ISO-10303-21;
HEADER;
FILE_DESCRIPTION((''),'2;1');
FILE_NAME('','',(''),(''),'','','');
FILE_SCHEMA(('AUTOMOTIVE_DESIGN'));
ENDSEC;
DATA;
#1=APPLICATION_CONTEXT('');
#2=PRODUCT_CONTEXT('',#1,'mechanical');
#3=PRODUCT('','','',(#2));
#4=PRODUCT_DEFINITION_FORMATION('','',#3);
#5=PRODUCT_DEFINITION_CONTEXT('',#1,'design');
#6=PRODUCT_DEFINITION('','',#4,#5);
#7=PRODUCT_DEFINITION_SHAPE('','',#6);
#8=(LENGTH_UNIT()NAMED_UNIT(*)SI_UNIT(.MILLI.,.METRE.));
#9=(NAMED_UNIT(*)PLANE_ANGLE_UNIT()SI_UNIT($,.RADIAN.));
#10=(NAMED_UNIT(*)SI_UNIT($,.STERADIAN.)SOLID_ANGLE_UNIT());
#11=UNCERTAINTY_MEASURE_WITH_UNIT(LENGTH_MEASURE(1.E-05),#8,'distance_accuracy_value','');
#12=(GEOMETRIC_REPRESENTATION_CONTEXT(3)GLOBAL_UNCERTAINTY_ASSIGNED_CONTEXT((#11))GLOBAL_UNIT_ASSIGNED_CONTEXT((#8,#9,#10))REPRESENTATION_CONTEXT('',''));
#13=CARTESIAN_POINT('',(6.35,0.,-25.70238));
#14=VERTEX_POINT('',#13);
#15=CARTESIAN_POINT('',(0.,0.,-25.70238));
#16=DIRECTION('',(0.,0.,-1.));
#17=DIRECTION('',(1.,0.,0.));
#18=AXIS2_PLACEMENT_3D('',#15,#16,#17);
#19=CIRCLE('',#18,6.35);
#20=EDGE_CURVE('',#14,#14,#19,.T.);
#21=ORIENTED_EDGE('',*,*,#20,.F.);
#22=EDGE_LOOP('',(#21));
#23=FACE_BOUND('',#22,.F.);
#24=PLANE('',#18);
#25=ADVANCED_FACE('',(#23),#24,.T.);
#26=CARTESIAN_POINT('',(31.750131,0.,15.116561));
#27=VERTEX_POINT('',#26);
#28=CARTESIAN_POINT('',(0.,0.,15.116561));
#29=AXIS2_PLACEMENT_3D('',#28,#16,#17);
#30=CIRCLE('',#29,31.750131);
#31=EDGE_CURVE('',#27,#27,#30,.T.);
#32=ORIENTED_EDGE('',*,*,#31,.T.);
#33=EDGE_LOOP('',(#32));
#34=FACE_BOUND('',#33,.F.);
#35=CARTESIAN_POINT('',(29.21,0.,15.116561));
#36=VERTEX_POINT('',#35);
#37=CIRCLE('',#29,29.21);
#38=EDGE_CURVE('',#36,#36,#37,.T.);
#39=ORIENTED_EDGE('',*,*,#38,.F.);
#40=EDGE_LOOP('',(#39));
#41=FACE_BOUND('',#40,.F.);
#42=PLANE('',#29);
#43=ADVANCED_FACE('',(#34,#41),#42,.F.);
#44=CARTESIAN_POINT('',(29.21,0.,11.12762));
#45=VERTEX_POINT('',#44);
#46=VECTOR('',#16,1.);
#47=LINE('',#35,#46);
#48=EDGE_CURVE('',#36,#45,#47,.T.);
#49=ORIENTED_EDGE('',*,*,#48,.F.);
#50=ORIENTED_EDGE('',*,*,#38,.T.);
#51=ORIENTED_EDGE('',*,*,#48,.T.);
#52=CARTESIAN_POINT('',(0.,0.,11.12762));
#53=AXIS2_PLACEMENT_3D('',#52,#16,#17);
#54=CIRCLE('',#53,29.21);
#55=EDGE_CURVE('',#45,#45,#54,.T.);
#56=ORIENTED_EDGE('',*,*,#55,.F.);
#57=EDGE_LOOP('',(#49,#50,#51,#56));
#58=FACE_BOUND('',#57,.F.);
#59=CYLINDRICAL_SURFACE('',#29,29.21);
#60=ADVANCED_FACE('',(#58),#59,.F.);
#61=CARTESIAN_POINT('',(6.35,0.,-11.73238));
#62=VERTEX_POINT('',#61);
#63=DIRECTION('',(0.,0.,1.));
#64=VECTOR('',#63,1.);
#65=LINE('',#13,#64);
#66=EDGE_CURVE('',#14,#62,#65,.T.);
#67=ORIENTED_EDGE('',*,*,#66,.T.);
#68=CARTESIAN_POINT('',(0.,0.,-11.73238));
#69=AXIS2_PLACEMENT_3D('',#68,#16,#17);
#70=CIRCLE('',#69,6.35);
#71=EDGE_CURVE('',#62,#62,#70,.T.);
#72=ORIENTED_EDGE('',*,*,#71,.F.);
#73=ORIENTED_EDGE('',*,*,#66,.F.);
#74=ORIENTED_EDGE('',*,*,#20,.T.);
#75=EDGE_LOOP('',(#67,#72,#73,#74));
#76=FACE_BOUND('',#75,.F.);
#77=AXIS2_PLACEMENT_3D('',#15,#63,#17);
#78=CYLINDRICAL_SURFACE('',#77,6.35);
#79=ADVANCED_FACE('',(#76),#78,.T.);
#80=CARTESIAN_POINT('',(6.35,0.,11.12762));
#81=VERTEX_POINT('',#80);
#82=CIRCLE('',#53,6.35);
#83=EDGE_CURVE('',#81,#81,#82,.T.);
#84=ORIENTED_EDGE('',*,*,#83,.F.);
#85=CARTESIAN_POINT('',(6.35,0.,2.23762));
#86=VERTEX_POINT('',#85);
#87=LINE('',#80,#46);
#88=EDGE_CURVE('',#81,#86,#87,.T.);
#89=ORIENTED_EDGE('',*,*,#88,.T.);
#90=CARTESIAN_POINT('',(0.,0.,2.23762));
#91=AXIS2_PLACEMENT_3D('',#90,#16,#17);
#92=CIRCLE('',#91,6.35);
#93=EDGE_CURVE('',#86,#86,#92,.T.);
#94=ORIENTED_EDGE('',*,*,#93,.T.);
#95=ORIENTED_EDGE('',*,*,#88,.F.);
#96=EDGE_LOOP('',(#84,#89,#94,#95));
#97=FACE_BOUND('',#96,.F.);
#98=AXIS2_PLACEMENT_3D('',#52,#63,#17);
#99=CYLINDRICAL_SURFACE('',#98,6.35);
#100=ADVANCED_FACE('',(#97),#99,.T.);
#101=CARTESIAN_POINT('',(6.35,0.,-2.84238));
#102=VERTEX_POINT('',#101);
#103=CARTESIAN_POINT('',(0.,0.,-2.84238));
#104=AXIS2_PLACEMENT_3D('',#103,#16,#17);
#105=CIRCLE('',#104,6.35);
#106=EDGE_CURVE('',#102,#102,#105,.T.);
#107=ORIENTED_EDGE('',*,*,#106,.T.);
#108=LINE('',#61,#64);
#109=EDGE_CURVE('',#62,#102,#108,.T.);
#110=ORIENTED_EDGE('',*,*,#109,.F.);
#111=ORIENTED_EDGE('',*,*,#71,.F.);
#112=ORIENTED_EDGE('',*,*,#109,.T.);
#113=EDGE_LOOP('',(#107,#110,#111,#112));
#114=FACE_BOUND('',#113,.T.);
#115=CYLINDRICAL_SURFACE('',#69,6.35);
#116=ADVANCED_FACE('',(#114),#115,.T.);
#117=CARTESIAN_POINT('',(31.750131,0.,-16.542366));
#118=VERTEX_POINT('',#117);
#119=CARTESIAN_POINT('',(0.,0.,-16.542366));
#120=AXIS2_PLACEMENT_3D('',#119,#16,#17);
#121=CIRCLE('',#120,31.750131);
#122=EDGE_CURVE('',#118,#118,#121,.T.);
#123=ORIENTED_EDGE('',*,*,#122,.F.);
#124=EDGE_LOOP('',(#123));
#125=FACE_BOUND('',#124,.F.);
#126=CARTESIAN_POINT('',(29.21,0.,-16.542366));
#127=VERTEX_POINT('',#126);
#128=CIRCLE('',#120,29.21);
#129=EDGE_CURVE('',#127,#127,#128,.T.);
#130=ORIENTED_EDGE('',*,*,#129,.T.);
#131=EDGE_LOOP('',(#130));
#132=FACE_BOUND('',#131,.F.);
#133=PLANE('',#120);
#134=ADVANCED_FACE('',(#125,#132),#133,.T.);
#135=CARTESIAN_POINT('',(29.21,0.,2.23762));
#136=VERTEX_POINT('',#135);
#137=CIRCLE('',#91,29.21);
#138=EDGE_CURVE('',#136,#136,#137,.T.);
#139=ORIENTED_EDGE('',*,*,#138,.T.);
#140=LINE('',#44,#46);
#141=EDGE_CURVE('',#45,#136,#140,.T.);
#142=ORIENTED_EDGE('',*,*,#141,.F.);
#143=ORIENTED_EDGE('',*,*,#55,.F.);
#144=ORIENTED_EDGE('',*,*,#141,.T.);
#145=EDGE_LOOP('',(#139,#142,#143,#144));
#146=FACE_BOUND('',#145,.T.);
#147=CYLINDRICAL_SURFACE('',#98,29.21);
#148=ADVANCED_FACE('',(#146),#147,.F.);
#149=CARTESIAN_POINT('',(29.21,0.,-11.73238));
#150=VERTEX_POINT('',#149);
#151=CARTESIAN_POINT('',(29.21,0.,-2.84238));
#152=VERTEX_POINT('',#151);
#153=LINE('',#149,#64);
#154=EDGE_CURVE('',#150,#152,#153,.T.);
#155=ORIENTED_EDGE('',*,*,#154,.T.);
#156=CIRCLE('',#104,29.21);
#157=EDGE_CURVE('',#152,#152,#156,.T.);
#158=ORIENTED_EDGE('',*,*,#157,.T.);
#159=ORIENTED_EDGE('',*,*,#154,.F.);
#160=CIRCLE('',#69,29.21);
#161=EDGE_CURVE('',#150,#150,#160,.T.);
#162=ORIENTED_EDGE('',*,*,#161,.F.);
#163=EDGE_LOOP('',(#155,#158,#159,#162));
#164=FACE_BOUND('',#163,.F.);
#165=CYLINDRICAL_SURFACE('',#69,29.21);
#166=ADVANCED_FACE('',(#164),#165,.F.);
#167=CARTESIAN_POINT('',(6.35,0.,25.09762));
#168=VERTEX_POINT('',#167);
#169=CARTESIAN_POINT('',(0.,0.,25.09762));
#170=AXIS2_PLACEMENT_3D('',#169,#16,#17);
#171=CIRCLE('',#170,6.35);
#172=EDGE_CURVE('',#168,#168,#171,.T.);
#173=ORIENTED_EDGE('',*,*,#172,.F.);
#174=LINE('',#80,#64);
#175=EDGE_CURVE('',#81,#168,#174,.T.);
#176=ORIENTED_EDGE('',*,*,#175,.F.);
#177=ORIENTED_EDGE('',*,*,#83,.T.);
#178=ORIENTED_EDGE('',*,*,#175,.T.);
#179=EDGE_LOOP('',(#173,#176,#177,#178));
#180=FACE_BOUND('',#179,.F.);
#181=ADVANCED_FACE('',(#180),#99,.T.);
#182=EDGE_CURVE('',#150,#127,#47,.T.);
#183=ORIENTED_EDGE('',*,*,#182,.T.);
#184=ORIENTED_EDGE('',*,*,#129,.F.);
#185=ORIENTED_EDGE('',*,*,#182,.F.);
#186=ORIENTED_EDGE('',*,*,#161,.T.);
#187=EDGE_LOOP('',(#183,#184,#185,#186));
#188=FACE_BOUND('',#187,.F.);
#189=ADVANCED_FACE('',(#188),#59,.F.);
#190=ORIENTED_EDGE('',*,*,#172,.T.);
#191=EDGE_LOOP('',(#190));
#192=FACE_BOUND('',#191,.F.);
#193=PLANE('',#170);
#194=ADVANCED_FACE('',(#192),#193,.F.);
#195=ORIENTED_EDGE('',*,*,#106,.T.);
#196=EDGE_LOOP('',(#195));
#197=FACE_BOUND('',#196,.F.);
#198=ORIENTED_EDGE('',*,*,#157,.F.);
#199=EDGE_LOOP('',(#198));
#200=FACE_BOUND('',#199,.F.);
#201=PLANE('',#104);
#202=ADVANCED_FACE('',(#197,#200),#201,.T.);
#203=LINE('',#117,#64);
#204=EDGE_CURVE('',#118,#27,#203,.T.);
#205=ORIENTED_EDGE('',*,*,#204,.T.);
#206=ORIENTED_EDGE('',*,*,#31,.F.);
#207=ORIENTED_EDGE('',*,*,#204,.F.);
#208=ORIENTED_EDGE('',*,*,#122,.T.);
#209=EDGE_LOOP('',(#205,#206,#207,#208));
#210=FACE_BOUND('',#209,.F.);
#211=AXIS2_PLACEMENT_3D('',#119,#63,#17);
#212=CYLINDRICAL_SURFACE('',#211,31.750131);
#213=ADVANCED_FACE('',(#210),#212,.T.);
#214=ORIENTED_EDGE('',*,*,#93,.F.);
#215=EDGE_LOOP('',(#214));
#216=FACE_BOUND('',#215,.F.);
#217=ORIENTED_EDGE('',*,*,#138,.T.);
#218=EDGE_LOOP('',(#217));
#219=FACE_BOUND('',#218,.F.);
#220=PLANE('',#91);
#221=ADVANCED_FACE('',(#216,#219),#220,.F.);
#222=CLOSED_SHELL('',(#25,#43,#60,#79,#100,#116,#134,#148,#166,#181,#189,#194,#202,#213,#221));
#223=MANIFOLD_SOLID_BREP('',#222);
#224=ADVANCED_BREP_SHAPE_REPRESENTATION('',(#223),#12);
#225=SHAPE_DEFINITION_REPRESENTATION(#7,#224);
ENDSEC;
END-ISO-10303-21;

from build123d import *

# Parameters (mm, degrees)
F2_DEPTH = 8.89
F3_DEPTH = 8.89


with BuildPart() as f1:
    # F0 (on Front) → F1 (revolve)
    with BuildSketch(Plane.XZ):
        Polygon((29.21, 15.1165612042), (29.21, 11.1276201193), (29.21, -11.7323798807), (29.21, -16.5423657745), (31.7501313984, -16.5423657745), (31.7501313984, 15.1165612042), align=None)
        Polygon((6.35, 25.0976201193), (0, 25.0976201193), (0, -25.7023798807), (6.35, -25.7023798807), (6.35, -11.7323798807), (29.21, -11.7323798807), (29.21, 11.1276201193), (6.35, 11.1276201193), align=None)
    revolve(axis=Axis((0, 0, -0.3023798807), (0, 0, -1)))

    # F2 (cut): a face of the model
    f2_faces = [f1.faces().sort_by_distance(p)[0] for p in [
        (-28.3838164369, 0, 11.1276201193),
    ]]
    extrude(f2_faces, amount=-F2_DEPTH, mode=Mode.SUBTRACT)

    # F3 (cut): a face of the model
    f3_faces = [f1.faces().sort_by_distance(p)[0] for p in [
        (-7.1761835631, 0, -11.7323798807),
    ]]
    extrude(f3_faces, amount=-F3_DEPTH, mode=Mode.SUBTRACT)


solid = f1.part
